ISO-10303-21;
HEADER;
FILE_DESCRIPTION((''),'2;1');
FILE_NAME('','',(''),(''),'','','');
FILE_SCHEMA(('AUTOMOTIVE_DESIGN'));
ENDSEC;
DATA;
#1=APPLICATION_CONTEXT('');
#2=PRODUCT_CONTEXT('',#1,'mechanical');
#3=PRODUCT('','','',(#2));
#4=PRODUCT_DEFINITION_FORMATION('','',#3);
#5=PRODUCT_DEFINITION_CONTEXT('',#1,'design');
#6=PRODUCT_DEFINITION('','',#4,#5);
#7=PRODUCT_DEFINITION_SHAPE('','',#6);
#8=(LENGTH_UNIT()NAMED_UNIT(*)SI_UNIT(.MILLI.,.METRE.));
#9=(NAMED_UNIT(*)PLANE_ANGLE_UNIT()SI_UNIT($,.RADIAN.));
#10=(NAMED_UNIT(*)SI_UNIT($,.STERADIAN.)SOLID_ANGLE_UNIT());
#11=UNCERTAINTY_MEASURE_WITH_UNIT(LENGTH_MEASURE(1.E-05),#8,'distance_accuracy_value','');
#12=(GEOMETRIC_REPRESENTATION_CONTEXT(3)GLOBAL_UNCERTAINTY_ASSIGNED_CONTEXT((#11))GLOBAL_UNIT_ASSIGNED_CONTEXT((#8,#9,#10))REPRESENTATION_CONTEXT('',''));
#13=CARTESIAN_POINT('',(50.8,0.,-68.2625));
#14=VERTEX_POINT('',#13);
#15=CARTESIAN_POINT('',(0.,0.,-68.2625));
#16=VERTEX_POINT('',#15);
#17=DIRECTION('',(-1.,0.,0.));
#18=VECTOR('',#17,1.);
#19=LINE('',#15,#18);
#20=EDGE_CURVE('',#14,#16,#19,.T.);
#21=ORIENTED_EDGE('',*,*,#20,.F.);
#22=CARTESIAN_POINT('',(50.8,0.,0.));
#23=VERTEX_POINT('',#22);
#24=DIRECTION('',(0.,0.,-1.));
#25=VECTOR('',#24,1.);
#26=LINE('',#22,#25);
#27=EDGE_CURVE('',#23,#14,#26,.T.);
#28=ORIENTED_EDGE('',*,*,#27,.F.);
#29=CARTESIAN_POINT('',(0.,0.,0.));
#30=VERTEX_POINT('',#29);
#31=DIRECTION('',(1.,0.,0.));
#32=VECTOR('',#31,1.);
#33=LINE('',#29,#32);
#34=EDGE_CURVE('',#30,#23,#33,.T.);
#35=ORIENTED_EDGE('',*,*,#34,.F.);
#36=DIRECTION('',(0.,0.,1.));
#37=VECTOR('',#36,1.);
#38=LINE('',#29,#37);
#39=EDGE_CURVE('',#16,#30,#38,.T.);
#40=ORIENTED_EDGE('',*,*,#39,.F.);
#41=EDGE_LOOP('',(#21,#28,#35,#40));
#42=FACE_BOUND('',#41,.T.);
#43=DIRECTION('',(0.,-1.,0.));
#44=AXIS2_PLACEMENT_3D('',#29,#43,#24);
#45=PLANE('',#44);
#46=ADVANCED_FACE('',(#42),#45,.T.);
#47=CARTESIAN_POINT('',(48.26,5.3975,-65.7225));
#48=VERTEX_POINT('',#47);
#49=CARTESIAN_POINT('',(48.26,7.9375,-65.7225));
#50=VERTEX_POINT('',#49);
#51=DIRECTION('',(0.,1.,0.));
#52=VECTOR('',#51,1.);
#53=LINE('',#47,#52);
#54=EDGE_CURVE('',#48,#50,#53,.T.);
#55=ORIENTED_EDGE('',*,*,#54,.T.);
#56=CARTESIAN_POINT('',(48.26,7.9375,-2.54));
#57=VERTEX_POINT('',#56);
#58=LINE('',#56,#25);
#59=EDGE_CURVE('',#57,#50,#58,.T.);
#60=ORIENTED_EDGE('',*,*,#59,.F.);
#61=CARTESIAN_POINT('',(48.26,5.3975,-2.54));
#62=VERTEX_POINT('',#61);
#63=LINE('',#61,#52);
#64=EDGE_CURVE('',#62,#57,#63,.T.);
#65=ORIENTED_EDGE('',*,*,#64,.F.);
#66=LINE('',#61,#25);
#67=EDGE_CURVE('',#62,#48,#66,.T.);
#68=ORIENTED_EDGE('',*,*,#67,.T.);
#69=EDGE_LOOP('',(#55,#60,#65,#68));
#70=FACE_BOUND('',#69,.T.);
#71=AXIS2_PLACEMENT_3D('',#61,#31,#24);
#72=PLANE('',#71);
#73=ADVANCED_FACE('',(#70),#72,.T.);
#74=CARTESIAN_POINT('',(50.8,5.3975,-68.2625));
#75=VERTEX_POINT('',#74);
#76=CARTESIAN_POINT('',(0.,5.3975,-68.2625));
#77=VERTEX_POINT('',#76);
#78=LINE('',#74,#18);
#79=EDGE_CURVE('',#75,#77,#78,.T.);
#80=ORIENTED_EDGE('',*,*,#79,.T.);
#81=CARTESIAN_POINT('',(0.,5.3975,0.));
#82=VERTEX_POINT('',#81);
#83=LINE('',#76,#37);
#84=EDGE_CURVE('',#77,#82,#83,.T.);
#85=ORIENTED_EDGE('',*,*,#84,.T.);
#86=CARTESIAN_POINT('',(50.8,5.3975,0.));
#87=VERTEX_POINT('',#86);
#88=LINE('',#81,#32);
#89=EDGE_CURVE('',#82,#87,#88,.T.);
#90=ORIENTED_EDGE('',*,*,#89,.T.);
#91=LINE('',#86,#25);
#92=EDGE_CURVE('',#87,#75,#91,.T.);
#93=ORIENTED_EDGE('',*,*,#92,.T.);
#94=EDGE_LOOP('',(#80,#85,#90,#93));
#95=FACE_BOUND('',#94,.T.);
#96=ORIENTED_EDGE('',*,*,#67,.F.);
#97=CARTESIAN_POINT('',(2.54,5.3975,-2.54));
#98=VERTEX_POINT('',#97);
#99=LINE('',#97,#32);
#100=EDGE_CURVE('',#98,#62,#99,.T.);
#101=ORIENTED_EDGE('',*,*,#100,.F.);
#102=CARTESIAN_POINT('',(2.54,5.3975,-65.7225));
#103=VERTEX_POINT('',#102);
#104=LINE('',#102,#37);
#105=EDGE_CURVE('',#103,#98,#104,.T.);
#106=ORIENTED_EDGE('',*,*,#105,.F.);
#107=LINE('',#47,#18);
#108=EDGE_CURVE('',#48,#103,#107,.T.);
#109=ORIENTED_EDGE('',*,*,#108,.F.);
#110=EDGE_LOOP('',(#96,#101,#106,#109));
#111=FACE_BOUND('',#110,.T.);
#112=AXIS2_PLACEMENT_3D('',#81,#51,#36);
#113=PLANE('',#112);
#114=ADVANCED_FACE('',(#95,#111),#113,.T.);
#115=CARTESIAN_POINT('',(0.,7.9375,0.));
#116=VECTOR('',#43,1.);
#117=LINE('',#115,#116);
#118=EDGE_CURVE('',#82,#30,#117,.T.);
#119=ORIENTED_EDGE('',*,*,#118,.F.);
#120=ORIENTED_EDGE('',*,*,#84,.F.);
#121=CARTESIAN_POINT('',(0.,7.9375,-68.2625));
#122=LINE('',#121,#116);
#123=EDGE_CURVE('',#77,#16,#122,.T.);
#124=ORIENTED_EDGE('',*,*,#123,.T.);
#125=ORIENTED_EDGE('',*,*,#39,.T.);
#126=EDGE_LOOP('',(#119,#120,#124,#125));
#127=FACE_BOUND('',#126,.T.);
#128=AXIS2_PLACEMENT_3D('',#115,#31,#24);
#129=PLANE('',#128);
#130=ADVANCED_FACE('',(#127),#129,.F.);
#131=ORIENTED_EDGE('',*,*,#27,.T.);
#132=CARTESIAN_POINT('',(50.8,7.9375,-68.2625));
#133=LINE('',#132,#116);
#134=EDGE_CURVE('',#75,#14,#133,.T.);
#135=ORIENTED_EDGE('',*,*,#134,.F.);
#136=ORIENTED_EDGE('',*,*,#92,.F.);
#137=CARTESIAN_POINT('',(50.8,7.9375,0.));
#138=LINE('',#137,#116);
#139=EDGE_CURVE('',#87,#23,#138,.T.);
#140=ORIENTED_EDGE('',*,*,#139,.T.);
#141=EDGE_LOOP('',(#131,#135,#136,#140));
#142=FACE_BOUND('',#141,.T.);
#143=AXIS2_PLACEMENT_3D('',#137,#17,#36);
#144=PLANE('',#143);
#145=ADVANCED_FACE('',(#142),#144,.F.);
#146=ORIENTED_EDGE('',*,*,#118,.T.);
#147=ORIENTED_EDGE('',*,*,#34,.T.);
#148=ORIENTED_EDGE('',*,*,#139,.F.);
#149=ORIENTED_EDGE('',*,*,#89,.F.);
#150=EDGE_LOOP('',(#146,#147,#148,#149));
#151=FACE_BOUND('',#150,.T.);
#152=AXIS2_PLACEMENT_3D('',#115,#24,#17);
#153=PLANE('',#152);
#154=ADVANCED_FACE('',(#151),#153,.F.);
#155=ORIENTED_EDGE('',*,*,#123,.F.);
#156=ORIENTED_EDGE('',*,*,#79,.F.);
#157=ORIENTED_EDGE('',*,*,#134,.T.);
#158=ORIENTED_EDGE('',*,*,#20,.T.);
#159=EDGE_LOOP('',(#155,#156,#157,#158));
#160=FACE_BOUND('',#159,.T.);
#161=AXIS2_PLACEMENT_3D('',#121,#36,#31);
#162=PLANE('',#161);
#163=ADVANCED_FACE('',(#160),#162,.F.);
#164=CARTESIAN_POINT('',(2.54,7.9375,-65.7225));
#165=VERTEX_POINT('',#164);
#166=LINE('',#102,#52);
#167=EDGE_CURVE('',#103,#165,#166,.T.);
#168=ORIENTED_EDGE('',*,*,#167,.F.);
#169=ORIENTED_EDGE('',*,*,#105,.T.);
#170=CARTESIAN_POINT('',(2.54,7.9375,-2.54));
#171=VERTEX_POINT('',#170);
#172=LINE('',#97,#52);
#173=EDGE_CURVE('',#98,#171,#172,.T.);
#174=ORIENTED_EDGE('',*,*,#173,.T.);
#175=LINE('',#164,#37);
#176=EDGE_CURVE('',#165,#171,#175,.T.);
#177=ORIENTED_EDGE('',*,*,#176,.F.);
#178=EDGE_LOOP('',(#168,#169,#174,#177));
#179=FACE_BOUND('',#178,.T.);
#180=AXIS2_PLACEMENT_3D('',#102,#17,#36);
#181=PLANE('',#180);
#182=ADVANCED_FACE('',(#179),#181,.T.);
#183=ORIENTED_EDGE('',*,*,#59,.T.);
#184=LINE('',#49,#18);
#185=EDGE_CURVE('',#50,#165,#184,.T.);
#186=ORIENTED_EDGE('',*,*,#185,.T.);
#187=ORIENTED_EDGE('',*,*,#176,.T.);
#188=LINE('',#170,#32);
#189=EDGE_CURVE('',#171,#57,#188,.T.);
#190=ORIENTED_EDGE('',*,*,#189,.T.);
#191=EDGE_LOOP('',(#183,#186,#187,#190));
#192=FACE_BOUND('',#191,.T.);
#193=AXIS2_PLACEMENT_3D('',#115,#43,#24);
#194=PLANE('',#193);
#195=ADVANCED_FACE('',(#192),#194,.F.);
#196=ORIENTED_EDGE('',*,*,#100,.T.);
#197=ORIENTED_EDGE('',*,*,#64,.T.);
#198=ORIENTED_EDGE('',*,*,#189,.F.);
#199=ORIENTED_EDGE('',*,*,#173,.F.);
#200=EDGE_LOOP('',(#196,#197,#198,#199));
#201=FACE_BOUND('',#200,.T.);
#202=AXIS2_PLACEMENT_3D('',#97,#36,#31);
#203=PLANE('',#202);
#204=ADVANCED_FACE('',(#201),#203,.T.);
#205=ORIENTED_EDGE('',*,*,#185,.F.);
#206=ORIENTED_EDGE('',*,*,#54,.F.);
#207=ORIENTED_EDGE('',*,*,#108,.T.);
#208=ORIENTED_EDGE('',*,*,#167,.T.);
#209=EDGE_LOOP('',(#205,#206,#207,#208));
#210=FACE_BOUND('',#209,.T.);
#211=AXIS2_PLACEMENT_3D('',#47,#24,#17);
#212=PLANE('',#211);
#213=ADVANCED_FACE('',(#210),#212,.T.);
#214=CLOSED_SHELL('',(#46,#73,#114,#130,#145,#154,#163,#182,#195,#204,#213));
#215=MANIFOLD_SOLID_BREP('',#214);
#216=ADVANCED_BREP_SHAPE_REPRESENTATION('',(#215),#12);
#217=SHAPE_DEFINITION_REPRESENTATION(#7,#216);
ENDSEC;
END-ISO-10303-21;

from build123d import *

# Parameters (mm, degrees)
SKETCH1_W           = 50.8
SKETCH1_H           = 68.2625
BOSS_EXTRUDE1_DEPTH = 7.9375
SKETCH2_W           = 50.8
SKETCH2_H           = 68.2625
SKETCH2_W_2         = 45.72
SKETCH2_H_2         = 63.1825
CUT_EXTRUDE1_DEPTH  = 2.54


with BuildPart() as part:
    # Sketch1 → Boss-Extrude1 (new body)
    with BuildSketch(Plane(origin=(0, 0, 0), x_dir=(1, 0, 0), z_dir=(0, 1, 0))):
        with Locations((25.4, 34.13125)):
            Rectangle(SKETCH1_W, SKETCH1_H)
    extrude(amount=BOSS_EXTRUDE1_DEPTH)

    # Sketch2 → Cut-Extrude1 (cut)
    with BuildSketch(Plane(origin=(0, 7.9375, 0), x_dir=(1, 0, 0), z_dir=(0, 1, 0))):
        with Locations((25.4, 34.13125)):
            Rectangle(SKETCH2_W, SKETCH2_H)
        with Locations((25.4, 34.13125)):
            Rectangle(SKETCH2_W_2, SKETCH2_H_2, mode=Mode.SUBTRACT)
    extrude(amount=-CUT_EXTRUDE1_DEPTH, mode=Mode.SUBTRACT)


solid = part.part
